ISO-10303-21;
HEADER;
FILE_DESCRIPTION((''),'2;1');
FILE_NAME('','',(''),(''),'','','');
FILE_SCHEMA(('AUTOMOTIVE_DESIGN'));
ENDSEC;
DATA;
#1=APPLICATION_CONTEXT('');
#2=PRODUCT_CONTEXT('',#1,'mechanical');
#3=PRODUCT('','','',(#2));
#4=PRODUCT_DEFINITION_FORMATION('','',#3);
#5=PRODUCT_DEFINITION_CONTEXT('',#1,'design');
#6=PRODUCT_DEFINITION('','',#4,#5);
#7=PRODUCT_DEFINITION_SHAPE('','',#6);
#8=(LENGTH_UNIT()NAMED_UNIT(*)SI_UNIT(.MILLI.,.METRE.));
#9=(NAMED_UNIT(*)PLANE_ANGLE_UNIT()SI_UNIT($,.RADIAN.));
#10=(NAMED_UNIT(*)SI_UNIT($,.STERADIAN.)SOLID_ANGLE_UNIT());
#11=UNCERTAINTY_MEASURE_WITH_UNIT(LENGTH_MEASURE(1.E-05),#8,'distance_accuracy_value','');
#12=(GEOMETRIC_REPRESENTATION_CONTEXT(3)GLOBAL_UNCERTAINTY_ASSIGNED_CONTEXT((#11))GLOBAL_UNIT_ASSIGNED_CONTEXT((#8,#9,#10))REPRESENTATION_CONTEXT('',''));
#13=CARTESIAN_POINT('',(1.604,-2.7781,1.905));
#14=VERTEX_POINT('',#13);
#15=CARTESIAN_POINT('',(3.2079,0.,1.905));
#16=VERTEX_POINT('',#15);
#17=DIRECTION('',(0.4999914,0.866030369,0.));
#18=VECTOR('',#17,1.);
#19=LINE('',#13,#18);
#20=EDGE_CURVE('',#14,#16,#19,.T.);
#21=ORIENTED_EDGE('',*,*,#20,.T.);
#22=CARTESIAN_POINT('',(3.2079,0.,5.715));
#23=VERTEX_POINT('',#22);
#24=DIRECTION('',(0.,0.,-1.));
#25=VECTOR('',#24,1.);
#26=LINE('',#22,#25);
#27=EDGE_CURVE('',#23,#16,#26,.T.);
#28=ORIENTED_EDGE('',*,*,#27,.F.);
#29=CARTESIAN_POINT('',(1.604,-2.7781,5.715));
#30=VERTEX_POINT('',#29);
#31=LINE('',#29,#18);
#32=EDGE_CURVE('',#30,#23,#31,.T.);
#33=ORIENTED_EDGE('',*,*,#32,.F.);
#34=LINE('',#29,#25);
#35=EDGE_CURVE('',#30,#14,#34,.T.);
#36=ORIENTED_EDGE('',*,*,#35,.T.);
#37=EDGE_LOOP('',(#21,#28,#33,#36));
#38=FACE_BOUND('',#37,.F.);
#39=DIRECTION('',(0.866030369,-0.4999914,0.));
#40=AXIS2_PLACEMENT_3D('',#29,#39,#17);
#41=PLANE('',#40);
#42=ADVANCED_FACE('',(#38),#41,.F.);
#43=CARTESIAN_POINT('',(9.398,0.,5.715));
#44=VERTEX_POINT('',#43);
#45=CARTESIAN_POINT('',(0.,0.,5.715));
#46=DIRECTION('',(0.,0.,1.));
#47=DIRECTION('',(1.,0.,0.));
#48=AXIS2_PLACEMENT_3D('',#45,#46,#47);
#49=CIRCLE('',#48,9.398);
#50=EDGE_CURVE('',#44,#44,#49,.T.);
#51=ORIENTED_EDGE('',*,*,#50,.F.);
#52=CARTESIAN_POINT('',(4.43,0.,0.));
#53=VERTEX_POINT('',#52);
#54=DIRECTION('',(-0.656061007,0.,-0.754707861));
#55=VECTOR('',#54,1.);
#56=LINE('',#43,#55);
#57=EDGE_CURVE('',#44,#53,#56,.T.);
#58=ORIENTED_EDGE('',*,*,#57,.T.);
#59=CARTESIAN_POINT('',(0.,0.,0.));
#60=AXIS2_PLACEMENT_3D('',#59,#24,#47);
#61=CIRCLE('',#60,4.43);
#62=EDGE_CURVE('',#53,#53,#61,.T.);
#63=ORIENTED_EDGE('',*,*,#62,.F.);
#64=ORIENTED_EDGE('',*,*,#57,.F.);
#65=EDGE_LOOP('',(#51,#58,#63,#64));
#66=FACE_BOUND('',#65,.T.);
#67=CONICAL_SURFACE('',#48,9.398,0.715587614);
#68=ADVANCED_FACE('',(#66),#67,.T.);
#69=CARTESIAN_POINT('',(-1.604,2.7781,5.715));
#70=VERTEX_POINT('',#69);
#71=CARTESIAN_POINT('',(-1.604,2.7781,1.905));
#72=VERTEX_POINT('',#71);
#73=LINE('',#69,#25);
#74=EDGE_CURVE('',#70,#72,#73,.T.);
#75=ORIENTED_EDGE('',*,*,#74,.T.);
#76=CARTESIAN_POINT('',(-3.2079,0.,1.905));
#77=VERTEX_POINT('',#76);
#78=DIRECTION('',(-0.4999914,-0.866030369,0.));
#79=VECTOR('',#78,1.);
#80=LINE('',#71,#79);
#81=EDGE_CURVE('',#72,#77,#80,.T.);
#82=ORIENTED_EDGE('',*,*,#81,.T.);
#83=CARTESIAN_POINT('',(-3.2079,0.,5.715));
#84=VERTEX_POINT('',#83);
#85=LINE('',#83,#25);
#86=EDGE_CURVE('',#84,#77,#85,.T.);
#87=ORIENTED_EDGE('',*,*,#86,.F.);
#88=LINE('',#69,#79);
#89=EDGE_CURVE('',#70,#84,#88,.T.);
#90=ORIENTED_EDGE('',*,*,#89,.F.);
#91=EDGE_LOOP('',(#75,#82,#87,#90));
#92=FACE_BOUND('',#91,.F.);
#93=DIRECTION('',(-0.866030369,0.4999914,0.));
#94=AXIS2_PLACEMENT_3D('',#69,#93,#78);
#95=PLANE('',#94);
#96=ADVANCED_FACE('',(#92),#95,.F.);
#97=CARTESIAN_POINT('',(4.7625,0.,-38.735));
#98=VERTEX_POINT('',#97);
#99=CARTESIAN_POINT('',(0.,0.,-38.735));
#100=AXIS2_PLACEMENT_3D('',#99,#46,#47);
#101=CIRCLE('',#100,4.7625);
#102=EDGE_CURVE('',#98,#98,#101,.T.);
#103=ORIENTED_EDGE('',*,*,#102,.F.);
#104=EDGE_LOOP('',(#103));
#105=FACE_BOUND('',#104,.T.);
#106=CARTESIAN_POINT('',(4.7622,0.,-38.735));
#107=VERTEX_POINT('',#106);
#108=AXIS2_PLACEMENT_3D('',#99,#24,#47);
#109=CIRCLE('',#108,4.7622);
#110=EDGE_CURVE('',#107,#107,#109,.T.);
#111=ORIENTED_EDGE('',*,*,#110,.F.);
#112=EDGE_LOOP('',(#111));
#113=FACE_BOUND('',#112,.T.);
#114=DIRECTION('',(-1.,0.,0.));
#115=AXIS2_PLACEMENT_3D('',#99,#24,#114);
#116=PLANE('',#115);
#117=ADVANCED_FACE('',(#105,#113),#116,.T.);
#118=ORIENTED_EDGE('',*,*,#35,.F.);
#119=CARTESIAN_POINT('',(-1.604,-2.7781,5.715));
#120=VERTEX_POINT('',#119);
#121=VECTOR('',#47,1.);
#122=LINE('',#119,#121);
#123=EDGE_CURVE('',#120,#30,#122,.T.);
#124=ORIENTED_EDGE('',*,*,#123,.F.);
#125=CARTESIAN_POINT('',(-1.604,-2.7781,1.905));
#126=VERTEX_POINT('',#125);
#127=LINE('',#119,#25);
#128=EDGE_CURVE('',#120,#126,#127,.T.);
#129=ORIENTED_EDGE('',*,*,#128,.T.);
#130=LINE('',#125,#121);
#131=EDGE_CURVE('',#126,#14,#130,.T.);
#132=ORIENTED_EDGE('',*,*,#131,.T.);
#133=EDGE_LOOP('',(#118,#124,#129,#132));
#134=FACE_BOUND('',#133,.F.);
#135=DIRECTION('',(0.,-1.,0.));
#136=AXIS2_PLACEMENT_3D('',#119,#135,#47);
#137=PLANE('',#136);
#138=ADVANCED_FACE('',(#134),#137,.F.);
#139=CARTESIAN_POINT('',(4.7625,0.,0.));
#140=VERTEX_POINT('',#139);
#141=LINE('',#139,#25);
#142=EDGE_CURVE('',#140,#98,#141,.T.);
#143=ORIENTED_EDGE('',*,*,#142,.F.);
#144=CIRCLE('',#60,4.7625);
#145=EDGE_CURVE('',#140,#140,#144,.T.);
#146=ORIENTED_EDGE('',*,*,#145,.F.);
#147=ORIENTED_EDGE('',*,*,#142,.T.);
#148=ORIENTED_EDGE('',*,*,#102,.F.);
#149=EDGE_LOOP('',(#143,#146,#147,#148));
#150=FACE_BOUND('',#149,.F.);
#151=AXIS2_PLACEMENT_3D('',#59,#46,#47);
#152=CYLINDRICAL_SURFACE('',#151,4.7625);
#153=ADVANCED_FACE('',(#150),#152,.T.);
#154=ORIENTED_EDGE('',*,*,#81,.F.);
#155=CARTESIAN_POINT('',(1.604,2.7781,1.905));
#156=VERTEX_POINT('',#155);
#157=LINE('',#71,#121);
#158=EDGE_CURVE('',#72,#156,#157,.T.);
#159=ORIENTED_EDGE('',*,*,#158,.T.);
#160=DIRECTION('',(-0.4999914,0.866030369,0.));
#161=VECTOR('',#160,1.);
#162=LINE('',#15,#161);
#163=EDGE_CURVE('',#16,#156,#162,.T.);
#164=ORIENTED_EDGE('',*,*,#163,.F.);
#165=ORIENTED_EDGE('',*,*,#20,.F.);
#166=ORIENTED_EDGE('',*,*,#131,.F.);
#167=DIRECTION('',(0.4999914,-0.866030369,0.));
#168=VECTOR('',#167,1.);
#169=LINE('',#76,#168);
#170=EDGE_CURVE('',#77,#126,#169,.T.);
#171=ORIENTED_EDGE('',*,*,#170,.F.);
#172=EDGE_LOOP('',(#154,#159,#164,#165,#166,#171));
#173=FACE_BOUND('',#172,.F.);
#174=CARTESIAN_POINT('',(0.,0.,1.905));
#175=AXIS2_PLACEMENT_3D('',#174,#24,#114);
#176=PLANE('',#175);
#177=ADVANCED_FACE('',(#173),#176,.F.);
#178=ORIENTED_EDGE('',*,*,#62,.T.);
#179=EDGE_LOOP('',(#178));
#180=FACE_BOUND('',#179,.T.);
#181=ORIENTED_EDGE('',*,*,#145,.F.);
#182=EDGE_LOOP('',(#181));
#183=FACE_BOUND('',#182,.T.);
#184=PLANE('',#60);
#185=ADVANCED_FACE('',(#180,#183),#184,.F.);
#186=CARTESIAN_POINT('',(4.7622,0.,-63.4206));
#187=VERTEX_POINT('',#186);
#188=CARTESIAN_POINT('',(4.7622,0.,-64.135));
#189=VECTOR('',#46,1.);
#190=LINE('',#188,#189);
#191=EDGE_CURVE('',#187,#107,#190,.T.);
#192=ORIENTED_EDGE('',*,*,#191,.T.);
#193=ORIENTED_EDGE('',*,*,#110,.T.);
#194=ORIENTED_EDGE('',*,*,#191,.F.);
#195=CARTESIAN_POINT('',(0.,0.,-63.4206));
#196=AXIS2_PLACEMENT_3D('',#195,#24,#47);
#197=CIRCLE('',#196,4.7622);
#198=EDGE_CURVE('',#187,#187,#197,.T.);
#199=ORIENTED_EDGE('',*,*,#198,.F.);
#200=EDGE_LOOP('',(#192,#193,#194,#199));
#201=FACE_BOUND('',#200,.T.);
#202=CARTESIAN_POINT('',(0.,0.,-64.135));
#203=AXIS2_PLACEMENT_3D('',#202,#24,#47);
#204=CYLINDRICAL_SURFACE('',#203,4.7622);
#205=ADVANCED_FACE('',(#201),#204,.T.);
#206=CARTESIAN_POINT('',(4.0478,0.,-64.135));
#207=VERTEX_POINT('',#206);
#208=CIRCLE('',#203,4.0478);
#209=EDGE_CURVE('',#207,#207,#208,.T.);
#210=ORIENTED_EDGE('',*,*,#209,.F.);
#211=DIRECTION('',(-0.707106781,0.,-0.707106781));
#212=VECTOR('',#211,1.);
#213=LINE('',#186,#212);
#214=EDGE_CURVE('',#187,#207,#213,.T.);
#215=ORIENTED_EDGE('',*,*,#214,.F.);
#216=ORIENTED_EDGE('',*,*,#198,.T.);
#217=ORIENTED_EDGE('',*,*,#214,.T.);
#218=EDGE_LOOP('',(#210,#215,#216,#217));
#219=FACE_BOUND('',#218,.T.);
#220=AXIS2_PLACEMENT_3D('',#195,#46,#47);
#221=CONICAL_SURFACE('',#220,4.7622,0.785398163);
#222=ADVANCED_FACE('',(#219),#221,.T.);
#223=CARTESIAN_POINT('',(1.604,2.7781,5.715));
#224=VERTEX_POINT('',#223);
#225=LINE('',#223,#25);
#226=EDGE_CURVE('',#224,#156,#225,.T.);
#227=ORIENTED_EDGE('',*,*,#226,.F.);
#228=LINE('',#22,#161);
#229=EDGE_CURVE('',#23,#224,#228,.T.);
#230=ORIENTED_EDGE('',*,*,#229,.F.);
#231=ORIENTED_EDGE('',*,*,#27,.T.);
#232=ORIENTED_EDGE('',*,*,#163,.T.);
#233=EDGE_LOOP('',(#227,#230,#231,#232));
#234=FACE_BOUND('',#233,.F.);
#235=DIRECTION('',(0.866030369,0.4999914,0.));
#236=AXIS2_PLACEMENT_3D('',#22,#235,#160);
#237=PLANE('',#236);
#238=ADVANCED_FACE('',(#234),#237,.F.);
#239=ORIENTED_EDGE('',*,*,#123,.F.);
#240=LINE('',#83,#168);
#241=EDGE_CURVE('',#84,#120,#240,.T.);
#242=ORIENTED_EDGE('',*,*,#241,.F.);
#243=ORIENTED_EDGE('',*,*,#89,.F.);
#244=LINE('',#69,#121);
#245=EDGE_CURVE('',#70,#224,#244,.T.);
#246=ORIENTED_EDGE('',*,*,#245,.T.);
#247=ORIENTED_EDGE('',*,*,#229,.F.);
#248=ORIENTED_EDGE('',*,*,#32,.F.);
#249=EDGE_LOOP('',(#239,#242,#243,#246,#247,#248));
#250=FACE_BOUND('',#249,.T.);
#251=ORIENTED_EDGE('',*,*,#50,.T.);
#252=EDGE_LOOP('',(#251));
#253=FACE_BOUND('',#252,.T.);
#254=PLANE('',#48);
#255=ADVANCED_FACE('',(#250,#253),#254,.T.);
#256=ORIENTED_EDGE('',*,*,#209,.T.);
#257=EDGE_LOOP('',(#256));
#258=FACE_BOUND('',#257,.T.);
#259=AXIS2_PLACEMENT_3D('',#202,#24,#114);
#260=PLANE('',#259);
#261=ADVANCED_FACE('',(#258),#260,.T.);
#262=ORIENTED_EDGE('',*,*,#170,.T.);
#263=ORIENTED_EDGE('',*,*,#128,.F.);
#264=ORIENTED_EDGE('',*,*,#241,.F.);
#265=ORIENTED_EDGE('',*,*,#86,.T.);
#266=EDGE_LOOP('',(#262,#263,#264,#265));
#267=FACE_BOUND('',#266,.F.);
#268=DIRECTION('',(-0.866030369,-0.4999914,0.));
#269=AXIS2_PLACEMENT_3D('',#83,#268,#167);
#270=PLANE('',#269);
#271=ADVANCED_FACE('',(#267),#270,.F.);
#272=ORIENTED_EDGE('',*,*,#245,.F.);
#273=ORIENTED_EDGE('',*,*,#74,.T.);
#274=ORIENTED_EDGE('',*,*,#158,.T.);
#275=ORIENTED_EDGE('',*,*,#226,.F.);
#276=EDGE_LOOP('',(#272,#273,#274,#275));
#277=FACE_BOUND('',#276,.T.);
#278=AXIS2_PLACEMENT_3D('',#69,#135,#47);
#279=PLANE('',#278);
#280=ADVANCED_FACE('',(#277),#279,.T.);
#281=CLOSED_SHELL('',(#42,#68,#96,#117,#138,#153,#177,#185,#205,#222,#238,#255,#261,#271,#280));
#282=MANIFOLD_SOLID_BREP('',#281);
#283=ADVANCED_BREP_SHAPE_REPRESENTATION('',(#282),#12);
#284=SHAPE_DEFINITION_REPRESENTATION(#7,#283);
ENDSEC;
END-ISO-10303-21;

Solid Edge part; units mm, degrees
sketch "Sketch1" plane through (0, 0, 0) normal (0, 0, 1) x (1, 0, 0)
  circle A0 centre (0, 0) radius 9.398
  dimension "D1" = 18.796
extrude "Protrusion1" add sketch "Sketch1" along normal blind 5.715
sketch "Sketch2" plane through (0, 0, 0) normal (0, 0, -1) x (1, 0, 0)
  circle A0 centre (0, 0) radius 4.7625
extrude "Protrusion2" add sketch "Sketch2" along normal blind 64.135
sketch "Sketch3" plane through (0, 0, -64.135) normal (0, 0, -1) x (1, 0, 0)
  circle A0 centre (0, 0) radius 4.7622
extrude "Cutout1" cut sketch "Sketch3" against normal blind 25.4 flip side to cut
chamfer "Chamfer_1" distance 0.7144 angle 45 1 edges at (-4.7622, 0, -64.135)
sketch "Sketch4" plane through (0, 0, 5.715) normal (0, 0, 1) x (1, 0, 0)
  line L0 (-1.604, 2.7781) -> (1.604, 2.7781)
  line L1 (3.2079, 0) -> (1.604, 2.7781)
  line L2 (1.604, -2.7781) -> (3.2079, 0)
  line L3 (-1.604, -2.7781) -> (1.604, -2.7781)
  line L4 (-3.2079, 0) -> (-1.604, -2.7781)
  line L5 (-1.604, 2.7781) -> (-3.2079, 0)
  dimension "D1" = 5.5562
extrude "Cutout2" cut sketch "Sketch4" against normal blind 3.81
sketch "Sketch5" plane through (0, 0, 0) normal (0, -1, 0) x (1, 0, 0)
  line L0 (9.398, 5.715) -> (4.43, 0)
  line L1 (4.43, 0) -> (9.398, 0)
  line L2 (9.398, 0) -> (9.398, 5.715)
revolve "RevolvedCutout1" cut sketch "Sketch5" angle 360 about axis through (0, 0, 14.0017) along (0, 0, -1)
properties part number "185727" material "Stainless Steel, 304"
